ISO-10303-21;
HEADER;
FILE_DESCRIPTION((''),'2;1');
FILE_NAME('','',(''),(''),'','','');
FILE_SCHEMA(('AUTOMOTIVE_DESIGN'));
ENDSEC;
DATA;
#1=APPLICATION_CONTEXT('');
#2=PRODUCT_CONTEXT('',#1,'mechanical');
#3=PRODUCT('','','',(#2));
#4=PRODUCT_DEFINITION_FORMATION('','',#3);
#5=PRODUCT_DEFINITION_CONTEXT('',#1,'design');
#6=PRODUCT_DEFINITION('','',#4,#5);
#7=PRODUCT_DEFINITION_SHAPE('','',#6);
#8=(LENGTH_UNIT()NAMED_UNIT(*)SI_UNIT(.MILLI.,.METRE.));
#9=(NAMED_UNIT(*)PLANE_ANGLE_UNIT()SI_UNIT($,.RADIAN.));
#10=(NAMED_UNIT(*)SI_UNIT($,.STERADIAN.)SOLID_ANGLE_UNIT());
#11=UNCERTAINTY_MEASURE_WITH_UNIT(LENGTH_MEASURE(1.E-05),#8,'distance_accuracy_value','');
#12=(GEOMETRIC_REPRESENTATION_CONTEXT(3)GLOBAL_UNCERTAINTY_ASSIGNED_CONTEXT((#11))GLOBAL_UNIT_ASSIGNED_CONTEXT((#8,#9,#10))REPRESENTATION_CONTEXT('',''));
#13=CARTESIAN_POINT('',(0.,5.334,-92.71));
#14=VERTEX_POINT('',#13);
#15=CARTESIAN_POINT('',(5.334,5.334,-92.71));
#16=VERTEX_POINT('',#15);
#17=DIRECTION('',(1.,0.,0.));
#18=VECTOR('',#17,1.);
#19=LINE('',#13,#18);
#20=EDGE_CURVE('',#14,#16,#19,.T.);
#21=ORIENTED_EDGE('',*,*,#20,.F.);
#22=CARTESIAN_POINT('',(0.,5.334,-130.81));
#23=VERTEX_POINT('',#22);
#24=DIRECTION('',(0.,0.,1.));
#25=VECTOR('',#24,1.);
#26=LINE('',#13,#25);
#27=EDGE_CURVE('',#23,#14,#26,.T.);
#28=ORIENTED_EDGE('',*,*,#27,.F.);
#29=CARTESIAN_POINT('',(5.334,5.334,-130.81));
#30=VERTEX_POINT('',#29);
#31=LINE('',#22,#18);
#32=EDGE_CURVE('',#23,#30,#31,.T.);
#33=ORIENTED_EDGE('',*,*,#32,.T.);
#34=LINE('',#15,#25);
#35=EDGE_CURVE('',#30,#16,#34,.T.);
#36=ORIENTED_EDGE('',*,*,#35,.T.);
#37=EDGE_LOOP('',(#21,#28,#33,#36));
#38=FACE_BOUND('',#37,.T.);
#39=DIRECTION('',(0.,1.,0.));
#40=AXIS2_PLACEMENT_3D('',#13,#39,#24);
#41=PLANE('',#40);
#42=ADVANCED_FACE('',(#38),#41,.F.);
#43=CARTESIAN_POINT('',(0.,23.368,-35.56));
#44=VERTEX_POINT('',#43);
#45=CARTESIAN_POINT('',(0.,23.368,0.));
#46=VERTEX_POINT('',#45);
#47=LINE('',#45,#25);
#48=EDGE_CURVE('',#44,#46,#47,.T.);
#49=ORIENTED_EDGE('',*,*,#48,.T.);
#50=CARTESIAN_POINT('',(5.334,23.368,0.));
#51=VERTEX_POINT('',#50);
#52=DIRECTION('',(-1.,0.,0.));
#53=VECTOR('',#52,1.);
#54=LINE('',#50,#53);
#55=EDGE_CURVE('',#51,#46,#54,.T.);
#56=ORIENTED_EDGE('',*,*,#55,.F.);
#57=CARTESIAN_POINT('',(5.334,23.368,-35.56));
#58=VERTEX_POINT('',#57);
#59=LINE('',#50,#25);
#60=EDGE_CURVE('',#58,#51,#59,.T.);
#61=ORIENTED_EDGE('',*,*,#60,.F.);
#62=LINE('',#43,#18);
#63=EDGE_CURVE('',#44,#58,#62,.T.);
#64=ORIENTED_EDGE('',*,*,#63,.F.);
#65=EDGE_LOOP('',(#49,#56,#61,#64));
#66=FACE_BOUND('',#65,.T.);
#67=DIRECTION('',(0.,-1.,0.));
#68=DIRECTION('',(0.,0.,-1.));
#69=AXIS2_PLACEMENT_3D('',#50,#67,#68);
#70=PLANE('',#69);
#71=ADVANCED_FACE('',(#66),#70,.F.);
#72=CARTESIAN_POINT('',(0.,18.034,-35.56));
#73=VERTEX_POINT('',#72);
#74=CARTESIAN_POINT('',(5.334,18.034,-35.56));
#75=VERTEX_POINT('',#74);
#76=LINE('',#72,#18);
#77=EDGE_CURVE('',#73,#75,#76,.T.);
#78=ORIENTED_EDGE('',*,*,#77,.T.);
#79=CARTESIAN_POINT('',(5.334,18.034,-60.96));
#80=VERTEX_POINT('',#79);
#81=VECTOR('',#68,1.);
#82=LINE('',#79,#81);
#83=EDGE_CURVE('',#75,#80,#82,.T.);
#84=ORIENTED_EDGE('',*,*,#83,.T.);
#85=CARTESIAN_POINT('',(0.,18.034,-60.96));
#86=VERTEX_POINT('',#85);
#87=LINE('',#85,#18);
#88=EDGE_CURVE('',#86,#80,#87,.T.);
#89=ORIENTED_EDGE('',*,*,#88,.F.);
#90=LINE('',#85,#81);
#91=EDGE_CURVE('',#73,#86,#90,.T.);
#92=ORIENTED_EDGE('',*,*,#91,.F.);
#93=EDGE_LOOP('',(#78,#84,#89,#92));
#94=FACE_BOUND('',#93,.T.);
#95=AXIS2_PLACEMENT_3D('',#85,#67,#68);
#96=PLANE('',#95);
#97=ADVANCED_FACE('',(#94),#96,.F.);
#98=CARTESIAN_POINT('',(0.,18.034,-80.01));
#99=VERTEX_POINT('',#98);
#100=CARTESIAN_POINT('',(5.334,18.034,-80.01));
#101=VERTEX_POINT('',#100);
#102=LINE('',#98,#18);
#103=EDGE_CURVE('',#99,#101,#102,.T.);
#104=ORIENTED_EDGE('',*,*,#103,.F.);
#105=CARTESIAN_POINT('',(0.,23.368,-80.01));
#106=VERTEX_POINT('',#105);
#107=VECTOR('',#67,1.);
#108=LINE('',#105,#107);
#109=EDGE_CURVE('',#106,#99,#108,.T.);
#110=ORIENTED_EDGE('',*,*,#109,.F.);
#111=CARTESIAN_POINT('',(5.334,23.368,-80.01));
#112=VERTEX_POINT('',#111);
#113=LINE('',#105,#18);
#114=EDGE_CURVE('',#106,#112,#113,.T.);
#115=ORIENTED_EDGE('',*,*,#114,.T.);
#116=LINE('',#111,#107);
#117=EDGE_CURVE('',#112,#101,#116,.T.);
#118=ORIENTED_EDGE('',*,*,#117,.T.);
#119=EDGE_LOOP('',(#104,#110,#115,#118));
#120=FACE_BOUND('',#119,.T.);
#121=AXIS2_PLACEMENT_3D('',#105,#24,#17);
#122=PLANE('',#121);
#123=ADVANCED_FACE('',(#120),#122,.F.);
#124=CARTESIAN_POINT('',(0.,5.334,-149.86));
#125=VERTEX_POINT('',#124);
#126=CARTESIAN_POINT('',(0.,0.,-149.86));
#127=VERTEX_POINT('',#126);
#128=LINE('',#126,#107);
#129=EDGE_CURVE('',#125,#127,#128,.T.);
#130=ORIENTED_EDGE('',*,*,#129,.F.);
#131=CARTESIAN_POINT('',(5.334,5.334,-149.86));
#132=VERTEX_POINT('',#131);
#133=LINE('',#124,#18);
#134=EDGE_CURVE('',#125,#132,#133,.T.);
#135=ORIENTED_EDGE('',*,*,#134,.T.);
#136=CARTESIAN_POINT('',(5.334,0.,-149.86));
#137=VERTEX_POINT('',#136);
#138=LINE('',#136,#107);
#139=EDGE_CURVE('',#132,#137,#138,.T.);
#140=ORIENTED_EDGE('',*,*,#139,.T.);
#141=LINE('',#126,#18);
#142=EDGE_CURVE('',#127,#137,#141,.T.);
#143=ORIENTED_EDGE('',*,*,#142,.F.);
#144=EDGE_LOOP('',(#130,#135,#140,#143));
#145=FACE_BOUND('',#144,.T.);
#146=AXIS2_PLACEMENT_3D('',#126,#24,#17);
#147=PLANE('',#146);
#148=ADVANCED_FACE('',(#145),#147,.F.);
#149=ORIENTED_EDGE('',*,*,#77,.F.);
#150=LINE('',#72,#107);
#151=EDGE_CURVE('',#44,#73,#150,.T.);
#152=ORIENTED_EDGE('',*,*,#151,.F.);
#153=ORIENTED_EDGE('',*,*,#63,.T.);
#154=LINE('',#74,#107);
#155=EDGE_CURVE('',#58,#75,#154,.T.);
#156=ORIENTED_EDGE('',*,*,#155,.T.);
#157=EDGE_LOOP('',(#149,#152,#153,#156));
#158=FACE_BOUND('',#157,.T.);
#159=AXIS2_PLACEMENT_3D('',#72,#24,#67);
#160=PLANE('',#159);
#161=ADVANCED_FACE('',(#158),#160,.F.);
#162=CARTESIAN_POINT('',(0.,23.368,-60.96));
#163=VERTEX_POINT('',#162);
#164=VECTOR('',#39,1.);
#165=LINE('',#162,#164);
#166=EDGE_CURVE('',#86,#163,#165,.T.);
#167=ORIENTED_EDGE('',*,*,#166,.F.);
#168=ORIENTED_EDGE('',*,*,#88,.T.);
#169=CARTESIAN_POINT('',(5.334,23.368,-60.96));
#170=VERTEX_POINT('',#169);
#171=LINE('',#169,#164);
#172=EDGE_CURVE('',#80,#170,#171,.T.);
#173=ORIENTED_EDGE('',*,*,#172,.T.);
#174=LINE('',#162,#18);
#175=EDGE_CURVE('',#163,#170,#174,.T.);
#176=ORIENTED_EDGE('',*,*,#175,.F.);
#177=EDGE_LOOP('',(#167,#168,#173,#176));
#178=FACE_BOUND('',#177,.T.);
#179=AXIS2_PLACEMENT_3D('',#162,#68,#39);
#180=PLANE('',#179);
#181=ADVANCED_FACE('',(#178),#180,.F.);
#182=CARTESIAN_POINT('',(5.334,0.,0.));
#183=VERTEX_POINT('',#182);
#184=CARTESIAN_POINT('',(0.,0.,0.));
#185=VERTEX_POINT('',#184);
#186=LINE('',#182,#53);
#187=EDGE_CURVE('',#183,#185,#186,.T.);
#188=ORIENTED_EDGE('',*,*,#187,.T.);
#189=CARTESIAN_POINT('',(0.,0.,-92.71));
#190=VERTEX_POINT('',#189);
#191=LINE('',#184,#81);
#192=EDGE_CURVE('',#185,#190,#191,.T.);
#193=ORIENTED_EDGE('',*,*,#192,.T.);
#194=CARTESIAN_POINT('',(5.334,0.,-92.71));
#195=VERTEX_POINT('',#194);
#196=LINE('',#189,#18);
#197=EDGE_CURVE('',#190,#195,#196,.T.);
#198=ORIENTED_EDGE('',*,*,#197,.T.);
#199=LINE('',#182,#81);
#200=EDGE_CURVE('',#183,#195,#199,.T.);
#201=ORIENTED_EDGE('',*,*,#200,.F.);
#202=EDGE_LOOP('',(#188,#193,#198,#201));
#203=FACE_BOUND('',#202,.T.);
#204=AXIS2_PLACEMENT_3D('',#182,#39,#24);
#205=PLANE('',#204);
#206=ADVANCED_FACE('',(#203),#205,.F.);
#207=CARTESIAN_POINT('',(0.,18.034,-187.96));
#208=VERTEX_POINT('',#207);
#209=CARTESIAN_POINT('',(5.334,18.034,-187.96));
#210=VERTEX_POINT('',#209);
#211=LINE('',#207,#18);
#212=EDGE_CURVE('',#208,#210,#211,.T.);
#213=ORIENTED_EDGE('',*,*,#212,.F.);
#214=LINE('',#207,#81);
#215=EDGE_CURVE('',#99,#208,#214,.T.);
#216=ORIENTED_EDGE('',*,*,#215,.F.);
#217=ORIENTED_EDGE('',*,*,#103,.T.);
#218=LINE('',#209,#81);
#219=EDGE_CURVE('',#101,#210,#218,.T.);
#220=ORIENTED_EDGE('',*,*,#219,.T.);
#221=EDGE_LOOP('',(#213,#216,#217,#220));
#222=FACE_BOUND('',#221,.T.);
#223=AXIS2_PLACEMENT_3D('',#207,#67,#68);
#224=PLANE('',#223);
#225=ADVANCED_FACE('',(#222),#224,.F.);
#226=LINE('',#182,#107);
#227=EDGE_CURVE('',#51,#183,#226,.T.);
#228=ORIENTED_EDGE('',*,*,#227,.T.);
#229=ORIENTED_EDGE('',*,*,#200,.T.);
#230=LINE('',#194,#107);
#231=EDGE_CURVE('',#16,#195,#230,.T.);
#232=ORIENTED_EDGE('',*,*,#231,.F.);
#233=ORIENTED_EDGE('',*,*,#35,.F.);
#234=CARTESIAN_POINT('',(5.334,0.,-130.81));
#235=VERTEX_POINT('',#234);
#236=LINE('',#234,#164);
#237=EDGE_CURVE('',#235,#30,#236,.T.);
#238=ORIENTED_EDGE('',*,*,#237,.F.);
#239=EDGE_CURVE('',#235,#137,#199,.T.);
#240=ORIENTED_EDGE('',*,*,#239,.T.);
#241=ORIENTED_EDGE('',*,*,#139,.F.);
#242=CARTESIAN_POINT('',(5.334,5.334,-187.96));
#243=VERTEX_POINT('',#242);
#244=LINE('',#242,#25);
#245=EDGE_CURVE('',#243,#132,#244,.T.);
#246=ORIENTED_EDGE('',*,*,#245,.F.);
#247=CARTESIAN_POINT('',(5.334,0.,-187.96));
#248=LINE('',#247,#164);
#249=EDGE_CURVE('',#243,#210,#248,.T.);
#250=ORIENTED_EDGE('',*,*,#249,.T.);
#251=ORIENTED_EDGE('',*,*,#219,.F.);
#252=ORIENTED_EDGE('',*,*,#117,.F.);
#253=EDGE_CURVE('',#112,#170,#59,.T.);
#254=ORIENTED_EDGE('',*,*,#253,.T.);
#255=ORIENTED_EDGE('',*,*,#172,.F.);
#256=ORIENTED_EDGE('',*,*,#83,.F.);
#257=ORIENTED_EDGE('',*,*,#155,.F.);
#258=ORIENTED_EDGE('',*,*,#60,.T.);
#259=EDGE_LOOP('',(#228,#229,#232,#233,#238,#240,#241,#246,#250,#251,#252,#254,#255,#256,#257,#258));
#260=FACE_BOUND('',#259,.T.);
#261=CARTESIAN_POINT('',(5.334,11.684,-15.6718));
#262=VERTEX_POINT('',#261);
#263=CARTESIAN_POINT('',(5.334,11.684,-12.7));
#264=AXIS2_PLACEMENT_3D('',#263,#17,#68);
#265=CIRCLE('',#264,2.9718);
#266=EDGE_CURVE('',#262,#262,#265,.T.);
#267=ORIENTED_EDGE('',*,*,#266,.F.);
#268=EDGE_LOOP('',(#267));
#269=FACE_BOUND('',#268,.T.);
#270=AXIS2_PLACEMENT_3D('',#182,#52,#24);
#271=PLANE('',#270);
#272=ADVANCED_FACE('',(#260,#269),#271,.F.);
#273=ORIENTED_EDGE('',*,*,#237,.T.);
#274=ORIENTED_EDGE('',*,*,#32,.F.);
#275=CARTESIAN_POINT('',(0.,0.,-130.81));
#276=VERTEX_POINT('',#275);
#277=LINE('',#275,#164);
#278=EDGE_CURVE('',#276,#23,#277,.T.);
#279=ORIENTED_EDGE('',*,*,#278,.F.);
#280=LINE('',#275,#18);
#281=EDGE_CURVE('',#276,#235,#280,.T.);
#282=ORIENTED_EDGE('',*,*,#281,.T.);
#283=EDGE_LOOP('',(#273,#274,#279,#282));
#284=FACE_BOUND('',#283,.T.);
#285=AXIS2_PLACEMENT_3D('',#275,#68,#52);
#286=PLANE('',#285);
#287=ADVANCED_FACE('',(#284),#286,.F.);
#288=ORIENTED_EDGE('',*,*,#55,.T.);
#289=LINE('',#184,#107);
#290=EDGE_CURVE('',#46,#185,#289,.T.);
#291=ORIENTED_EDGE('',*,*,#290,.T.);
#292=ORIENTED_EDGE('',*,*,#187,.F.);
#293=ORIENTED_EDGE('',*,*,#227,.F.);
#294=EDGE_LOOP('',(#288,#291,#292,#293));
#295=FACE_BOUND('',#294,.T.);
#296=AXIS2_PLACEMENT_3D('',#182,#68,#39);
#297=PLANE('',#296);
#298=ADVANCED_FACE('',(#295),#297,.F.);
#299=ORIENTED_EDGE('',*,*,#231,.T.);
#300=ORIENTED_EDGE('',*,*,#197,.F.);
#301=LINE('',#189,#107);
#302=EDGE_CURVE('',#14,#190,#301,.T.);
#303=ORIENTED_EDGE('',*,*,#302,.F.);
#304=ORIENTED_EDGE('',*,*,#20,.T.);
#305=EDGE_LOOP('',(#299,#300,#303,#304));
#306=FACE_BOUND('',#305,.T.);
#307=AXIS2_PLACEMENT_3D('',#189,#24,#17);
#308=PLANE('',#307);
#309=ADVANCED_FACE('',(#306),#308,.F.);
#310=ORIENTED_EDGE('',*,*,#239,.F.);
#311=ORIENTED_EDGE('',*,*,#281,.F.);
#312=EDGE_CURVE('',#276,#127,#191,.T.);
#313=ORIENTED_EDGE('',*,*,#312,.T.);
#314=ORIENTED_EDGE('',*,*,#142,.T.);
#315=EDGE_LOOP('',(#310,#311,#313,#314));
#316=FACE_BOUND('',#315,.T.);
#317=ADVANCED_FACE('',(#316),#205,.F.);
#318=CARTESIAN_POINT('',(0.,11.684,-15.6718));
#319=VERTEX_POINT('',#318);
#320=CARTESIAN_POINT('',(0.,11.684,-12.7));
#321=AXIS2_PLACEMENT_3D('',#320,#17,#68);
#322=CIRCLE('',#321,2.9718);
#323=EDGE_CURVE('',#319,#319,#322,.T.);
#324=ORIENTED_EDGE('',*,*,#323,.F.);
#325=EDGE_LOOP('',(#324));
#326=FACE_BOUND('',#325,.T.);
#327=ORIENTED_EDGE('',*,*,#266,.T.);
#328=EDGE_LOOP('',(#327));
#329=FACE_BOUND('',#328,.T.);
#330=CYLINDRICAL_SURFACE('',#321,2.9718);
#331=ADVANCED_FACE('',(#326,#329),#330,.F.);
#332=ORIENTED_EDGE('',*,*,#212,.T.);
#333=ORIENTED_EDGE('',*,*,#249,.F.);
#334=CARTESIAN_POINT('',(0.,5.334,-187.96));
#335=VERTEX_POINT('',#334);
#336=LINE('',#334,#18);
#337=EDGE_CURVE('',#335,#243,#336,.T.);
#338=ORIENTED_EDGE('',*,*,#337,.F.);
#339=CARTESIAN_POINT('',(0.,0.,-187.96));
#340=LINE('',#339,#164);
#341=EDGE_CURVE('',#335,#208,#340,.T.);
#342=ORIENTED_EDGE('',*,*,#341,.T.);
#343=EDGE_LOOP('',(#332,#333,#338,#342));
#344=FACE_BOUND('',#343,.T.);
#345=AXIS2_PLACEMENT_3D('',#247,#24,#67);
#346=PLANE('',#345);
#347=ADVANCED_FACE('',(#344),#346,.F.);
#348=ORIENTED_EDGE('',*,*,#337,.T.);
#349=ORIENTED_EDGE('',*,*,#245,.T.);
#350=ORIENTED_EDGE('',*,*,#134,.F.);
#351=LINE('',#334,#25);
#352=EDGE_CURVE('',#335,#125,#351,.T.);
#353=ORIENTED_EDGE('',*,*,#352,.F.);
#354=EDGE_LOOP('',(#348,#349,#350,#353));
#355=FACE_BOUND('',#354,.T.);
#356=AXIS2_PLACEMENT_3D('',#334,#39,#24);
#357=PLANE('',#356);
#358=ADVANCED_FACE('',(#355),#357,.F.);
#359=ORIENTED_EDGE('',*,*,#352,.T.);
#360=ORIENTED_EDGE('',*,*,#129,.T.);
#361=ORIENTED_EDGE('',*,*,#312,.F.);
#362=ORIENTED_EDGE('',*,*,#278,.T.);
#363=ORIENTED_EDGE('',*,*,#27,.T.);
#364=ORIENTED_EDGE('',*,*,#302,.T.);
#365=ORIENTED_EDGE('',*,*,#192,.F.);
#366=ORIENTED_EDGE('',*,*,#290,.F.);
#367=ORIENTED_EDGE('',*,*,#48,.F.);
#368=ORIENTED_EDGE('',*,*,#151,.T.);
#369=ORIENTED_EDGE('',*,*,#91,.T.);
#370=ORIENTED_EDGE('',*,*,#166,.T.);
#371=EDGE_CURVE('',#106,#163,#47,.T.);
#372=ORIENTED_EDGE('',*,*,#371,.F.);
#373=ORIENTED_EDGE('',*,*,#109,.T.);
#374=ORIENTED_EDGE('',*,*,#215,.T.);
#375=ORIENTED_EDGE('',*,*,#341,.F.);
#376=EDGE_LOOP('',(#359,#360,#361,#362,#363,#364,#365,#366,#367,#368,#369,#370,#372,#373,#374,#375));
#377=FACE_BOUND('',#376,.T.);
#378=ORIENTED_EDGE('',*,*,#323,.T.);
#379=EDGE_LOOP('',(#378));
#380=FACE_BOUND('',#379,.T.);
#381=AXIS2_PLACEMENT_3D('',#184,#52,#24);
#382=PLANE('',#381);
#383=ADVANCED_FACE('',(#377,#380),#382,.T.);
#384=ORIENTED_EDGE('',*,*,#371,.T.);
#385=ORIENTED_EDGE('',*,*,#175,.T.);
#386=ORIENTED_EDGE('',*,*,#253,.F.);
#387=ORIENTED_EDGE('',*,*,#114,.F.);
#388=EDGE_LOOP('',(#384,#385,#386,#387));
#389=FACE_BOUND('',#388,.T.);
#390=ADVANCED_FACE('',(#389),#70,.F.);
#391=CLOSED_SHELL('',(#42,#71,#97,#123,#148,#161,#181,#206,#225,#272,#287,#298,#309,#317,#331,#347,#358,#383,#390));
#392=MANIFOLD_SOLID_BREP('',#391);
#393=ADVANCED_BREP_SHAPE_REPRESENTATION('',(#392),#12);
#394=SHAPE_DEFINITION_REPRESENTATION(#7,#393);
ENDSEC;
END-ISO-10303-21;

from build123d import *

# Parameters (mm, degrees)
SKETCH1_W   = 187.96
SKETCH1_H   = 23.368
BASE_DEPTH  = 5.334
SKETCH3_W   = 25.4
SKETCH3_H   = 5.334
SKETCH3_W_2 = 38.1
SKETCH3_W_3 = 107.95
TABS_DEPTH  = 190.482127337
SKETCH4_R   = 2.9718
AXLE_DEPTH  = 190.482127337


with BuildPart() as part:
    # Sketch1 → Base (new body)
    with BuildSketch(Plane(origin=(0, 0, 0), x_dir=(0, 0, -1), z_dir=(1, 0, 0))):
        with Locations((93.98, 11.684)):
            Rectangle(SKETCH1_W, SKETCH1_H)
    extrude(amount=BASE_DEPTH)

    # Sketch3 → Tabs (cut, through all)
    with BuildSketch(Plane(origin=(5.334, 0, 0), x_dir=(0, 0, -1), z_dir=(1, 0, 0))):
        with Locations((48.26, 20.701)):
            Rectangle(SKETCH3_W, SKETCH3_H)
        with Locations((111.76, 2.667)):
            Rectangle(SKETCH3_W_2, SKETCH3_H)
        with Locations((168.91, 2.667)):
            Rectangle(SKETCH3_W_2, SKETCH3_H)
        with Locations((133.985, 20.701)):
            Rectangle(SKETCH3_W_3, SKETCH3_H)
    extrude(amount=-TABS_DEPTH, mode=Mode.SUBTRACT)

    # Sketch4 → Axle (cut, through all)
    with BuildSketch(Plane(origin=(5.334, 0, 0), x_dir=(0, 0, -1), z_dir=(1, 0, 0))):
        with Locations((12.7, 11.684)):
            Circle(SKETCH4_R)
    extrude(amount=-AXLE_DEPTH, mode=Mode.SUBTRACT)


solid = part.part
